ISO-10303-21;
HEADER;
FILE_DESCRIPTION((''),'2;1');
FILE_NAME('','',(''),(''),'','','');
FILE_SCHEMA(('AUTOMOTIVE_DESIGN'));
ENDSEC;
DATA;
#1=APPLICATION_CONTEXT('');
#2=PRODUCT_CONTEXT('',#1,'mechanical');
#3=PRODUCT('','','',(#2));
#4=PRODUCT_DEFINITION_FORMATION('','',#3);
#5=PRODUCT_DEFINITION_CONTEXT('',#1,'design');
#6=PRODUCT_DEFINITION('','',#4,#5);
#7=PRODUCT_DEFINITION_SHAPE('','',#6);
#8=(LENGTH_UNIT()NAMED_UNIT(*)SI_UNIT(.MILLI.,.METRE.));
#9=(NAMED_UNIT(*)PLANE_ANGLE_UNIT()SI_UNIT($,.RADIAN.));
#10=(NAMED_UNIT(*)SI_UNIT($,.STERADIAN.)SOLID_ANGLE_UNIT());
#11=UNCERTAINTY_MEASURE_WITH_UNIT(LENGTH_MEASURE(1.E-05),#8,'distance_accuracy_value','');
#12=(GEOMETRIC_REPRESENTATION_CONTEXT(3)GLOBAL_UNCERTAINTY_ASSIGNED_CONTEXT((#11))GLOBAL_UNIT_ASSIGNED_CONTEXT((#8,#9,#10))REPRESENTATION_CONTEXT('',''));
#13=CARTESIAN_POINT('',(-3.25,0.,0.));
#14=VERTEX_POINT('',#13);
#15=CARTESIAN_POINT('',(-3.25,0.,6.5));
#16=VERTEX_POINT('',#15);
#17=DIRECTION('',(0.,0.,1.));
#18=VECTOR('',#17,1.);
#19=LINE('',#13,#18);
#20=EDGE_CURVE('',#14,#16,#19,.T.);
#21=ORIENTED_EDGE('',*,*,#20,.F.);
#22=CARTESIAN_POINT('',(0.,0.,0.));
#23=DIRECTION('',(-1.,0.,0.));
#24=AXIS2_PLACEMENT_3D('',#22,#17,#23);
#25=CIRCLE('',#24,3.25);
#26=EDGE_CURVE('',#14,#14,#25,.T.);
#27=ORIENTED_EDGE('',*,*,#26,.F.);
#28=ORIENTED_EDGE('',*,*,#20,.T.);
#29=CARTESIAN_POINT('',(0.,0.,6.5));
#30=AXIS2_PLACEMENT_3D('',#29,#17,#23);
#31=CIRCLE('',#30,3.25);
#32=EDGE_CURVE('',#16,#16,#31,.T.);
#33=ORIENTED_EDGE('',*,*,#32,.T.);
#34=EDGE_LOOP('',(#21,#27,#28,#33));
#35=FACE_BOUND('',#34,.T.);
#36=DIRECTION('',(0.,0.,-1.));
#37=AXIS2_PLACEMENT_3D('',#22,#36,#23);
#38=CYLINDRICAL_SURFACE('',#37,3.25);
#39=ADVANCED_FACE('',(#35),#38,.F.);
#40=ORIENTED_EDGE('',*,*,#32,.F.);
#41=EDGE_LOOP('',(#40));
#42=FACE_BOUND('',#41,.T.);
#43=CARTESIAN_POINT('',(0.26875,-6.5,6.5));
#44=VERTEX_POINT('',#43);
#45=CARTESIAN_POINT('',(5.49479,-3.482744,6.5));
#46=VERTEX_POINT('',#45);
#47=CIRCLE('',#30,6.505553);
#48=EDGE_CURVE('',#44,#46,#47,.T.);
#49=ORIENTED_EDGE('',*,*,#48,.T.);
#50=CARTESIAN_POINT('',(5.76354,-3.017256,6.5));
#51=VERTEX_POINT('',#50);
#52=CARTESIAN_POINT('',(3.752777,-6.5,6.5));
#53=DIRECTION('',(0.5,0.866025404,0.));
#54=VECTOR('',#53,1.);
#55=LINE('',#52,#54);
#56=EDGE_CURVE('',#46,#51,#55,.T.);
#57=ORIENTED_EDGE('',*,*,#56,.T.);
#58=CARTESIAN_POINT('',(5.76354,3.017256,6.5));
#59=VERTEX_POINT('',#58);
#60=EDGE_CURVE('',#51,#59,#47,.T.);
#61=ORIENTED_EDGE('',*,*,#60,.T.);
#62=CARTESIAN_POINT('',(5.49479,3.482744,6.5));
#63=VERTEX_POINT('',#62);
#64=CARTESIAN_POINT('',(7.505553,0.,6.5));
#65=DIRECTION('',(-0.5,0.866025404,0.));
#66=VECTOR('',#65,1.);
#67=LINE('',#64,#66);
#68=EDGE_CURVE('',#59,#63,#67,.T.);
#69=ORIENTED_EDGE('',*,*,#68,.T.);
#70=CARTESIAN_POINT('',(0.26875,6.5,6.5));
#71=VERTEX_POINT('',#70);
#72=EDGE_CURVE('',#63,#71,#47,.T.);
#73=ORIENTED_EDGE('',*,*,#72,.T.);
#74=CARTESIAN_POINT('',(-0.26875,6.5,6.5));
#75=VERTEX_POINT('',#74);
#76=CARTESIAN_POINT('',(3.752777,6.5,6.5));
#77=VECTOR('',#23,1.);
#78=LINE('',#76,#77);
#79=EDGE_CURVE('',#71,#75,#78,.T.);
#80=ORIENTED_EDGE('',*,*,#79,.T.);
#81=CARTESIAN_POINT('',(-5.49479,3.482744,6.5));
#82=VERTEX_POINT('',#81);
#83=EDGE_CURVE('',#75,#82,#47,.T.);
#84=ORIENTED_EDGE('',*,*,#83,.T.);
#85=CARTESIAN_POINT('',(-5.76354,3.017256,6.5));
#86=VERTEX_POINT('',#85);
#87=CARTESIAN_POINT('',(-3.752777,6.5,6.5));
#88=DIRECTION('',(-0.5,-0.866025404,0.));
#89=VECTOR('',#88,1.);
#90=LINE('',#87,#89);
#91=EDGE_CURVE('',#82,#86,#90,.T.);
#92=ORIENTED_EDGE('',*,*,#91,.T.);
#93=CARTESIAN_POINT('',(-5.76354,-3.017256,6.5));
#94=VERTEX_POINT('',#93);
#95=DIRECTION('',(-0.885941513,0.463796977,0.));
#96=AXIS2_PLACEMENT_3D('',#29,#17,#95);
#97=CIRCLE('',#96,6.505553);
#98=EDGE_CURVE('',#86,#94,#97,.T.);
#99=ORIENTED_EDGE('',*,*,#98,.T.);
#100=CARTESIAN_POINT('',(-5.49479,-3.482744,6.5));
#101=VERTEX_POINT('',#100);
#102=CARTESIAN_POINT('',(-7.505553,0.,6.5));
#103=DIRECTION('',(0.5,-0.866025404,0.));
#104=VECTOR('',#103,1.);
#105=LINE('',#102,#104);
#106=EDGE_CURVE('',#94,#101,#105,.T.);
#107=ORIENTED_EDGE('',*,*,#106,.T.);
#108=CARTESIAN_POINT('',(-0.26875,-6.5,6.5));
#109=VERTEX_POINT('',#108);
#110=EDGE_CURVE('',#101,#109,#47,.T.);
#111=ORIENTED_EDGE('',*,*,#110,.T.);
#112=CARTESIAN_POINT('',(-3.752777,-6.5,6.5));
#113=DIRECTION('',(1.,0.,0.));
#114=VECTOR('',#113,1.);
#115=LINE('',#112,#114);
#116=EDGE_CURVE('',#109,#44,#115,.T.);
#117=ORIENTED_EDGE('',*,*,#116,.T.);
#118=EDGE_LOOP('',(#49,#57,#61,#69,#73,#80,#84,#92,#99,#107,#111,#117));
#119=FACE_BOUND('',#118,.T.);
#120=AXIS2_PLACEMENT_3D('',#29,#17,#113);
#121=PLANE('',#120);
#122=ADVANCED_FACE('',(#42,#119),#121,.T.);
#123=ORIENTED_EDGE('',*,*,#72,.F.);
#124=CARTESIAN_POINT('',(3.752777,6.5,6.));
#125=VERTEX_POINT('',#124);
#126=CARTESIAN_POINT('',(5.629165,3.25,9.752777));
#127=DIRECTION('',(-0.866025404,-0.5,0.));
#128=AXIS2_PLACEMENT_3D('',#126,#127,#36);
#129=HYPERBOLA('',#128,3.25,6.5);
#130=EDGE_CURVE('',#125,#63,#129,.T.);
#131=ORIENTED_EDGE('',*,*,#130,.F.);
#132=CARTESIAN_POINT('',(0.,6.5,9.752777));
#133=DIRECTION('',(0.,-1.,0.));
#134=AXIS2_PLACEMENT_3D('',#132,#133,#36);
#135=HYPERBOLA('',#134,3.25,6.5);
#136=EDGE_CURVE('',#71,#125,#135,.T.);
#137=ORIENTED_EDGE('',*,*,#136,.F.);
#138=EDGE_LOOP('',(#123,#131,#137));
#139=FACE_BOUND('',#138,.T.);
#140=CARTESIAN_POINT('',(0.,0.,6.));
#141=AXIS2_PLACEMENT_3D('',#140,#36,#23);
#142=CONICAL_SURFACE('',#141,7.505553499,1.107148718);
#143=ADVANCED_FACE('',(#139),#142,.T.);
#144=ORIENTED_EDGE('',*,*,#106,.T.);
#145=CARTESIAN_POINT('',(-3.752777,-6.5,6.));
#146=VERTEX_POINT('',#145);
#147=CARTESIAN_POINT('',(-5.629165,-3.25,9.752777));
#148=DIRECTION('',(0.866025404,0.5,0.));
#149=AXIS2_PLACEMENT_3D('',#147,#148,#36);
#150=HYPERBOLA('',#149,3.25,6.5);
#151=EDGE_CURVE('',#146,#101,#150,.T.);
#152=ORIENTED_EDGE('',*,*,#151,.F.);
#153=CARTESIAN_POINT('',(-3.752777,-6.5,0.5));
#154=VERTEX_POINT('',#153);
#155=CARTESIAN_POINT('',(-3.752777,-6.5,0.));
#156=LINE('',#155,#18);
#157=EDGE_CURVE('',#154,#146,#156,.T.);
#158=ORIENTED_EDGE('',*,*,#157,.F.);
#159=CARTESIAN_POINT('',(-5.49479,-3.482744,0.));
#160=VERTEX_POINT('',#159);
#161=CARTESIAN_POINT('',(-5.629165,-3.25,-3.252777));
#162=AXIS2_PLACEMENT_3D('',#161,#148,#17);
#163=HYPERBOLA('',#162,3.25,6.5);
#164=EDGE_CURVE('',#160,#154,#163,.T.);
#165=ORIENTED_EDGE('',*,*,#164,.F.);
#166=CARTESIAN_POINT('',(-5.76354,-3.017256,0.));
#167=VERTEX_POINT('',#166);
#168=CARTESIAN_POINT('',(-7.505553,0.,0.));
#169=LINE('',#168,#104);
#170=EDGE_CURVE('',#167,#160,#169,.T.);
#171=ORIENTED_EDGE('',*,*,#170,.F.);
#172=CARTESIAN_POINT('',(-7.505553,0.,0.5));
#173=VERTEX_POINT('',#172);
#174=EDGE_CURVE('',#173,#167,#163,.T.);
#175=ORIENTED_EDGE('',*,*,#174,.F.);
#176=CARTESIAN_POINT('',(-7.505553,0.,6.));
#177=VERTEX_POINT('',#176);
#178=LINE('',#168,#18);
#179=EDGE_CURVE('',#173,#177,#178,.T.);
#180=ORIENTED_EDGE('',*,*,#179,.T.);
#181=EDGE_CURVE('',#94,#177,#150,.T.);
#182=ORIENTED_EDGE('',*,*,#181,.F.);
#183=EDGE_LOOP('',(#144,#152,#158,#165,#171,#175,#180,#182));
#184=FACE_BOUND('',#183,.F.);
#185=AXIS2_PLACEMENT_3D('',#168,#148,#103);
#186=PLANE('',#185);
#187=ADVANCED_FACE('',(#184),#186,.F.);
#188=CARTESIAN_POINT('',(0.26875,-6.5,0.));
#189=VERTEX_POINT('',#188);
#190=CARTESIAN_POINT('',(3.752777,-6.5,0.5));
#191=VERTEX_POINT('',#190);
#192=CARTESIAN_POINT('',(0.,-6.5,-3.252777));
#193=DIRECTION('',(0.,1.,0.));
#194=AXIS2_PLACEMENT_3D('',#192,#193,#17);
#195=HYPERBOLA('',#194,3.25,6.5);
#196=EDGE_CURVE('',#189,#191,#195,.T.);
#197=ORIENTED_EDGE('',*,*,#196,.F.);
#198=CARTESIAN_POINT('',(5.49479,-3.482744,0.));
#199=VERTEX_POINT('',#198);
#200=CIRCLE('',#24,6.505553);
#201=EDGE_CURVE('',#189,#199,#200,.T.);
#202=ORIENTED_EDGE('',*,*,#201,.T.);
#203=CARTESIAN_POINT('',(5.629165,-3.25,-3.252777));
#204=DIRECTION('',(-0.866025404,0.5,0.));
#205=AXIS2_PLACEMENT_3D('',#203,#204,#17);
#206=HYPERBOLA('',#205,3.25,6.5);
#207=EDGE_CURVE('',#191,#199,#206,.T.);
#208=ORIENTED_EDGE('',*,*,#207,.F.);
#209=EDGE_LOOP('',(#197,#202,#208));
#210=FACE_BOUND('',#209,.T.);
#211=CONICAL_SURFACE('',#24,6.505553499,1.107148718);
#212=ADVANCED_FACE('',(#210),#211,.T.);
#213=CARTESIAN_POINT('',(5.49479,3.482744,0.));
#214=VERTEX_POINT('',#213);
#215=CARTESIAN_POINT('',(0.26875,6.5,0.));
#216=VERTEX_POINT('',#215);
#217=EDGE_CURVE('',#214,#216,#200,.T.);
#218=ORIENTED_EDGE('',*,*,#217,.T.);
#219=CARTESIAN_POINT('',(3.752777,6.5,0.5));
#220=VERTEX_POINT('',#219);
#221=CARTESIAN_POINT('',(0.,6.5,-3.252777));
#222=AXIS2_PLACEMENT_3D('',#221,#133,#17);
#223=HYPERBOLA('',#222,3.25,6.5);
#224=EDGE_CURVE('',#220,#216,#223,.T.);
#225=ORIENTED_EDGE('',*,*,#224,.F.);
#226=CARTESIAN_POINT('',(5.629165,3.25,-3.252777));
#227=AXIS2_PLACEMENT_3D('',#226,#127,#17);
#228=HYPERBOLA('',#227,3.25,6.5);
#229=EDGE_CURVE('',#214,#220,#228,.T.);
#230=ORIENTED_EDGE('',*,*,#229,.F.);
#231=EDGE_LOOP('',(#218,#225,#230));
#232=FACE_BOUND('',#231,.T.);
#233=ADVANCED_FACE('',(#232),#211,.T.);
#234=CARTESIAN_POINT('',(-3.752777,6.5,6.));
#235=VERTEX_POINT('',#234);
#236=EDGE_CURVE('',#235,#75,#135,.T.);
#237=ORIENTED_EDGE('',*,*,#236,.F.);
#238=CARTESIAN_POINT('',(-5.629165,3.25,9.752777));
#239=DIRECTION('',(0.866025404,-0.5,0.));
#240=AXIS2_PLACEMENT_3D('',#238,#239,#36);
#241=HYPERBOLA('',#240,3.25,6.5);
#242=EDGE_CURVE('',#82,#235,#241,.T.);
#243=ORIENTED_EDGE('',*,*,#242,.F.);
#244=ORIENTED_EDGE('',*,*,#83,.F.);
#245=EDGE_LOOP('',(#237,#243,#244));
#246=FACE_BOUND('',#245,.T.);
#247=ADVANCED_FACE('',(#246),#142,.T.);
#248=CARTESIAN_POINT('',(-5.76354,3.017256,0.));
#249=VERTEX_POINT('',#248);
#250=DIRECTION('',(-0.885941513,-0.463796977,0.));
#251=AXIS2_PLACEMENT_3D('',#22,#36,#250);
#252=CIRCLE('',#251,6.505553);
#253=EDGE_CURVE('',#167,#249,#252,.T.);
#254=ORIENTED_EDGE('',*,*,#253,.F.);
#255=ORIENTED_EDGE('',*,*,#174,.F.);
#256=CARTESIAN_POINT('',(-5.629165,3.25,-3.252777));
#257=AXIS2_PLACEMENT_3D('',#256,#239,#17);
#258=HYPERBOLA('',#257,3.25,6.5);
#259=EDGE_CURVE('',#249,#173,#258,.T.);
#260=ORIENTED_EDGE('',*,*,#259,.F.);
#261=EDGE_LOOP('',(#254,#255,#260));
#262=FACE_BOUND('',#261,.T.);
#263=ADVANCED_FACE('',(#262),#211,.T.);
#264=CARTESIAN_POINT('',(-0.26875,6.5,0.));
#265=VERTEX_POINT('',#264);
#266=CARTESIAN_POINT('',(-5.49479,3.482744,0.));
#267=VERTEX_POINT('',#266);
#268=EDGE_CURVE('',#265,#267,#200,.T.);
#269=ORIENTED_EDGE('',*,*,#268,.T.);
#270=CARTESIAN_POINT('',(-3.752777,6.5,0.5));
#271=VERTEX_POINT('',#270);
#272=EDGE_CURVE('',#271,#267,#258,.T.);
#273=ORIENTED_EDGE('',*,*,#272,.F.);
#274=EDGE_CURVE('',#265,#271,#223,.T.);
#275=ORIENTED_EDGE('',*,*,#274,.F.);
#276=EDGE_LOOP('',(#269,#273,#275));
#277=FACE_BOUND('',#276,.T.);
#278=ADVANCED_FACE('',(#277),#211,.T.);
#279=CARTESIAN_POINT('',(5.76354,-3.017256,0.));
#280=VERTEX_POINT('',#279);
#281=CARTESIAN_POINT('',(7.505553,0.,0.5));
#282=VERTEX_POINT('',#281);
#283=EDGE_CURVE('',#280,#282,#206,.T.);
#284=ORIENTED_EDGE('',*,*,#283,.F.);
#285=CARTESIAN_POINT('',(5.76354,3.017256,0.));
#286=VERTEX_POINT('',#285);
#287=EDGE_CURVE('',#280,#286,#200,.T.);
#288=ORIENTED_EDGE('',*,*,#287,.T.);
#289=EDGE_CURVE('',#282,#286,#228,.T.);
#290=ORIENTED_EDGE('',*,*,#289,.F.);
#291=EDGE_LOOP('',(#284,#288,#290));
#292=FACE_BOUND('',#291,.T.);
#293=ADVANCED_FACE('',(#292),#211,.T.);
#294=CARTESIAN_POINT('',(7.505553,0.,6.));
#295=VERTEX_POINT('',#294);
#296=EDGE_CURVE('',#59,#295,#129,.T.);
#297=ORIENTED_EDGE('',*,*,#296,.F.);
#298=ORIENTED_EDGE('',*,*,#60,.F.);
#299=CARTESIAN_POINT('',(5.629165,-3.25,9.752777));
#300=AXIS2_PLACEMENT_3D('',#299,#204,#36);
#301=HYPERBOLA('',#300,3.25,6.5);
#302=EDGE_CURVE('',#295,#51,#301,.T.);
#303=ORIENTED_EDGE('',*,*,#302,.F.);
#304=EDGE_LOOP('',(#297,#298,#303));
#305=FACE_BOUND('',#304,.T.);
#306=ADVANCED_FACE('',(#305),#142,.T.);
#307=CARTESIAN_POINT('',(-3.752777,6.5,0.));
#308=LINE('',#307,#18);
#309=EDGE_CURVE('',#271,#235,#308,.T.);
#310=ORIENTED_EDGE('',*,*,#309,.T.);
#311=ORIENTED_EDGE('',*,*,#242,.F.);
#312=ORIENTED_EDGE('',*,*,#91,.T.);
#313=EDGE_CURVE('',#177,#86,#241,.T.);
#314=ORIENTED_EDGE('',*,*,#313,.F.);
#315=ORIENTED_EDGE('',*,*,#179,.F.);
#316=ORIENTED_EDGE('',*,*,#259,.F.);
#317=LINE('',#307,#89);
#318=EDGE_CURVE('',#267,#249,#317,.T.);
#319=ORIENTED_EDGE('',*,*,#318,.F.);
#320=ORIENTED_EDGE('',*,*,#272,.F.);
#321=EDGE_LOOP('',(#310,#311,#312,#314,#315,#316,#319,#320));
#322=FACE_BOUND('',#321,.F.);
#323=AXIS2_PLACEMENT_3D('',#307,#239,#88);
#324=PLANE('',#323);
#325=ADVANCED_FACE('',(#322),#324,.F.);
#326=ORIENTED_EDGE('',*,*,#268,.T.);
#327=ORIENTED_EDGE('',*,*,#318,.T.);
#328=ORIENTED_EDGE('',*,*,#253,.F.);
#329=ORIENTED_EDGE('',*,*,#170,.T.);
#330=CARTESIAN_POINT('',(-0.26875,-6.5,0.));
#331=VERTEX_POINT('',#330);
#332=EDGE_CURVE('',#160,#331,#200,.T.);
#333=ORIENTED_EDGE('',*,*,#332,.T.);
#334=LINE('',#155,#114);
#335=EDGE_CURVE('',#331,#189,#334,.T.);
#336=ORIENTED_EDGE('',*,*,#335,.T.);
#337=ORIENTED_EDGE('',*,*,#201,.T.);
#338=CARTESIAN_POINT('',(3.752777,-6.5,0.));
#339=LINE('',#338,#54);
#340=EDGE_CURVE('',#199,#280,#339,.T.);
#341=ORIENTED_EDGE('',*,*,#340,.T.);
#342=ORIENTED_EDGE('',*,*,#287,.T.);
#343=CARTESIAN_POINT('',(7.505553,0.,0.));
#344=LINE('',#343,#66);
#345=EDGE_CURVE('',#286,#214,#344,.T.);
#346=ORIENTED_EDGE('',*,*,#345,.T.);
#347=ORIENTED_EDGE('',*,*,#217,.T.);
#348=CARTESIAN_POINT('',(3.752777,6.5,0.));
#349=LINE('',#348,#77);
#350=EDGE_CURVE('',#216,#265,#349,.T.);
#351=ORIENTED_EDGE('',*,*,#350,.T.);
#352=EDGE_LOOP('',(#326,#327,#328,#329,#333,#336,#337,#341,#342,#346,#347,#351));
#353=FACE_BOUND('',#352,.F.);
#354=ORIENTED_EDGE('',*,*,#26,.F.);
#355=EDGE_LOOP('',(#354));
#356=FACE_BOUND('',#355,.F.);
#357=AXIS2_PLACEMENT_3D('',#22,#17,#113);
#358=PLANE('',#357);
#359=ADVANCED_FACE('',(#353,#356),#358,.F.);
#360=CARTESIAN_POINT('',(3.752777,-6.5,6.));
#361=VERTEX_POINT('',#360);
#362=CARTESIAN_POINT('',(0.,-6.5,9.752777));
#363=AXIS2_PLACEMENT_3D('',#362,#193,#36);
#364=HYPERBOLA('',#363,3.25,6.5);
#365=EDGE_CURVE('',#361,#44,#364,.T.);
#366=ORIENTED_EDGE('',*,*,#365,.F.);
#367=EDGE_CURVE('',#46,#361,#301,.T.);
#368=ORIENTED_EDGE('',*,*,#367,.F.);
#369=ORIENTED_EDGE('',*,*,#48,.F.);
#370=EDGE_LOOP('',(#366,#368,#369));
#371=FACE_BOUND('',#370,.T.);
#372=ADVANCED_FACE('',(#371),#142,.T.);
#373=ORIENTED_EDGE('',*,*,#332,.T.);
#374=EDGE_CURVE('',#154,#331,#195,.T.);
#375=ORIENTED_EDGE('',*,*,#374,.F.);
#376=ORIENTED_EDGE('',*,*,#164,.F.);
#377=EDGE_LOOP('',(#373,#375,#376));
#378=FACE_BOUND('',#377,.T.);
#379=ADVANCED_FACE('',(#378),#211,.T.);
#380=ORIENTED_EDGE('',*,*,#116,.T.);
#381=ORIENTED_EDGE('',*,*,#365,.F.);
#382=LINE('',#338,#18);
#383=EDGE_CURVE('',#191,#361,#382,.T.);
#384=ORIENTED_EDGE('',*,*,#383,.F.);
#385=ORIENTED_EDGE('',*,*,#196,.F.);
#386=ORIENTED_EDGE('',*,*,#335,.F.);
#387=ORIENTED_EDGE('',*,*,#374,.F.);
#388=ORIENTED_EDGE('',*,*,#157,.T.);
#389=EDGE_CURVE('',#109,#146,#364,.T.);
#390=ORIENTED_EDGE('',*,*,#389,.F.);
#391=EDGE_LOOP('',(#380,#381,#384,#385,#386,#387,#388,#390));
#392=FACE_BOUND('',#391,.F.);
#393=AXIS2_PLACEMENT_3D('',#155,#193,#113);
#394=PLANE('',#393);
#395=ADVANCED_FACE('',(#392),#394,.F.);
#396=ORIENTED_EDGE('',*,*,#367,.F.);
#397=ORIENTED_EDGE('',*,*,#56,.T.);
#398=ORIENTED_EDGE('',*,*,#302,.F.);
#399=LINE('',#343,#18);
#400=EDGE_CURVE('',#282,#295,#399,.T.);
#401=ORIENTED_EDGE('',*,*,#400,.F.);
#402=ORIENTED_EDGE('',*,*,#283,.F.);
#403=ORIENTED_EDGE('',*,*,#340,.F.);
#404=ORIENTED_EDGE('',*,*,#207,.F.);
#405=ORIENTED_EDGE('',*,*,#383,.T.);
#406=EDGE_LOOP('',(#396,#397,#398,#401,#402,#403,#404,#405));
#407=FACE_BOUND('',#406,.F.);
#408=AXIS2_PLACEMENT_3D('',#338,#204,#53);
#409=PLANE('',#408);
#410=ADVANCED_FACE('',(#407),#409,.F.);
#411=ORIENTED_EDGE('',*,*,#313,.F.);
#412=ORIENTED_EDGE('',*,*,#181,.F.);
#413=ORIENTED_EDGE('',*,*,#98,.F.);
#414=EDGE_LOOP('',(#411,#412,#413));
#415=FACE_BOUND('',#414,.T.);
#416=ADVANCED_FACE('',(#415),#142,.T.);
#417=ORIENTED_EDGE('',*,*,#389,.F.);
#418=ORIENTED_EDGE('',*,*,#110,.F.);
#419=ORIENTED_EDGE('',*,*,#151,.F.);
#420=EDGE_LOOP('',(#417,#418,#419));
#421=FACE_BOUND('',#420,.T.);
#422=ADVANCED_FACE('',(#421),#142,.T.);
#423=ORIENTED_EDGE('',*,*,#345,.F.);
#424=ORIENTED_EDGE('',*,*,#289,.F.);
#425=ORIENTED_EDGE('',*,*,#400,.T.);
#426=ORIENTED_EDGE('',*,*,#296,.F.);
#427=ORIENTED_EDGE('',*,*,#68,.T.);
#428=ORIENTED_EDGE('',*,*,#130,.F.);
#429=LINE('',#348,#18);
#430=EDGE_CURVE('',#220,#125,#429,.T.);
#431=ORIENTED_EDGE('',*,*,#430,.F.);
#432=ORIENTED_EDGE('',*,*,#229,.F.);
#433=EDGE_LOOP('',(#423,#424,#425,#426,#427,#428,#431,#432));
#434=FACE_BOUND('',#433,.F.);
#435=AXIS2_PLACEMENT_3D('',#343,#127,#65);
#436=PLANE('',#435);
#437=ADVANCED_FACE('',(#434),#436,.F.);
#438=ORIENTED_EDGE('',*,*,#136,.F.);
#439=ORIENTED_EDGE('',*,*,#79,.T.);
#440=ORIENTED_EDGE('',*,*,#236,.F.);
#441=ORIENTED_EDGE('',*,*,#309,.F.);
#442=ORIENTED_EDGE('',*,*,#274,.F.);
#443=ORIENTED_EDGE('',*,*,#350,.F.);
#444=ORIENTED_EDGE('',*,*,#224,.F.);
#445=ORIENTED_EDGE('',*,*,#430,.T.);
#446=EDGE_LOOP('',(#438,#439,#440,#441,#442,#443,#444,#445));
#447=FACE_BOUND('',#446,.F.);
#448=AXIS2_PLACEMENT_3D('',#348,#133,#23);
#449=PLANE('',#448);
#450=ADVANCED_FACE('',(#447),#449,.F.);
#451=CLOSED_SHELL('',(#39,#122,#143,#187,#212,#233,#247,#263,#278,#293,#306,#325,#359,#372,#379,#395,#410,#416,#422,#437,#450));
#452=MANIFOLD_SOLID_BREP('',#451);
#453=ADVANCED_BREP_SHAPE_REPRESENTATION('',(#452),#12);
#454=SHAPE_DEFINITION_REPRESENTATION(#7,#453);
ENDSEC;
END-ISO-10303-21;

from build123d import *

# Parameters (mm, degrees)
IZIM1_R                     = 3.25
Y_KSEKLIK_EKSTR_ZYON1_DEPTH = 6.5


with BuildPart() as part:
    # Çizim1 → Yükseklik-Ekstrüzyon1 (new body)
    with BuildSketch(Plane.XY):
        Polygon((7.505553499, 0), (3.75277675, 6.5), (-3.75277675, 6.5), (-7.505553499, 0), (-3.75277675, -6.5), (3.75277675, -6.5), align=None)
        with Locations(Location((0, 0, 0), (0, 0, 180))):
            Circle(IZIM1_R, mode=Mode.SUBTRACT)
    extrude(amount=Y_KSEKLIK_EKSTR_ZYON1_DEPTH)

    # Çizim2 → Kes-Döndür1 (revolve, cut)
    with BuildSketch(Plane(origin=(0, 0, 0), x_dir=(1, 0, 0), z_dir=(0, 1, 0))):
        Polygon((-7.505553499, 0), (-6.505553499, 0), (-7.505553499, -0.5), align=None)
        Polygon((-7.505553499, -6.5), (-7.505553499, -6), (-6.505553499, -6.5), align=None)
    revolve(axis=Axis((0, 0, 0), (0, 0, 1)), mode=Mode.SUBTRACT)


solid = part.part
